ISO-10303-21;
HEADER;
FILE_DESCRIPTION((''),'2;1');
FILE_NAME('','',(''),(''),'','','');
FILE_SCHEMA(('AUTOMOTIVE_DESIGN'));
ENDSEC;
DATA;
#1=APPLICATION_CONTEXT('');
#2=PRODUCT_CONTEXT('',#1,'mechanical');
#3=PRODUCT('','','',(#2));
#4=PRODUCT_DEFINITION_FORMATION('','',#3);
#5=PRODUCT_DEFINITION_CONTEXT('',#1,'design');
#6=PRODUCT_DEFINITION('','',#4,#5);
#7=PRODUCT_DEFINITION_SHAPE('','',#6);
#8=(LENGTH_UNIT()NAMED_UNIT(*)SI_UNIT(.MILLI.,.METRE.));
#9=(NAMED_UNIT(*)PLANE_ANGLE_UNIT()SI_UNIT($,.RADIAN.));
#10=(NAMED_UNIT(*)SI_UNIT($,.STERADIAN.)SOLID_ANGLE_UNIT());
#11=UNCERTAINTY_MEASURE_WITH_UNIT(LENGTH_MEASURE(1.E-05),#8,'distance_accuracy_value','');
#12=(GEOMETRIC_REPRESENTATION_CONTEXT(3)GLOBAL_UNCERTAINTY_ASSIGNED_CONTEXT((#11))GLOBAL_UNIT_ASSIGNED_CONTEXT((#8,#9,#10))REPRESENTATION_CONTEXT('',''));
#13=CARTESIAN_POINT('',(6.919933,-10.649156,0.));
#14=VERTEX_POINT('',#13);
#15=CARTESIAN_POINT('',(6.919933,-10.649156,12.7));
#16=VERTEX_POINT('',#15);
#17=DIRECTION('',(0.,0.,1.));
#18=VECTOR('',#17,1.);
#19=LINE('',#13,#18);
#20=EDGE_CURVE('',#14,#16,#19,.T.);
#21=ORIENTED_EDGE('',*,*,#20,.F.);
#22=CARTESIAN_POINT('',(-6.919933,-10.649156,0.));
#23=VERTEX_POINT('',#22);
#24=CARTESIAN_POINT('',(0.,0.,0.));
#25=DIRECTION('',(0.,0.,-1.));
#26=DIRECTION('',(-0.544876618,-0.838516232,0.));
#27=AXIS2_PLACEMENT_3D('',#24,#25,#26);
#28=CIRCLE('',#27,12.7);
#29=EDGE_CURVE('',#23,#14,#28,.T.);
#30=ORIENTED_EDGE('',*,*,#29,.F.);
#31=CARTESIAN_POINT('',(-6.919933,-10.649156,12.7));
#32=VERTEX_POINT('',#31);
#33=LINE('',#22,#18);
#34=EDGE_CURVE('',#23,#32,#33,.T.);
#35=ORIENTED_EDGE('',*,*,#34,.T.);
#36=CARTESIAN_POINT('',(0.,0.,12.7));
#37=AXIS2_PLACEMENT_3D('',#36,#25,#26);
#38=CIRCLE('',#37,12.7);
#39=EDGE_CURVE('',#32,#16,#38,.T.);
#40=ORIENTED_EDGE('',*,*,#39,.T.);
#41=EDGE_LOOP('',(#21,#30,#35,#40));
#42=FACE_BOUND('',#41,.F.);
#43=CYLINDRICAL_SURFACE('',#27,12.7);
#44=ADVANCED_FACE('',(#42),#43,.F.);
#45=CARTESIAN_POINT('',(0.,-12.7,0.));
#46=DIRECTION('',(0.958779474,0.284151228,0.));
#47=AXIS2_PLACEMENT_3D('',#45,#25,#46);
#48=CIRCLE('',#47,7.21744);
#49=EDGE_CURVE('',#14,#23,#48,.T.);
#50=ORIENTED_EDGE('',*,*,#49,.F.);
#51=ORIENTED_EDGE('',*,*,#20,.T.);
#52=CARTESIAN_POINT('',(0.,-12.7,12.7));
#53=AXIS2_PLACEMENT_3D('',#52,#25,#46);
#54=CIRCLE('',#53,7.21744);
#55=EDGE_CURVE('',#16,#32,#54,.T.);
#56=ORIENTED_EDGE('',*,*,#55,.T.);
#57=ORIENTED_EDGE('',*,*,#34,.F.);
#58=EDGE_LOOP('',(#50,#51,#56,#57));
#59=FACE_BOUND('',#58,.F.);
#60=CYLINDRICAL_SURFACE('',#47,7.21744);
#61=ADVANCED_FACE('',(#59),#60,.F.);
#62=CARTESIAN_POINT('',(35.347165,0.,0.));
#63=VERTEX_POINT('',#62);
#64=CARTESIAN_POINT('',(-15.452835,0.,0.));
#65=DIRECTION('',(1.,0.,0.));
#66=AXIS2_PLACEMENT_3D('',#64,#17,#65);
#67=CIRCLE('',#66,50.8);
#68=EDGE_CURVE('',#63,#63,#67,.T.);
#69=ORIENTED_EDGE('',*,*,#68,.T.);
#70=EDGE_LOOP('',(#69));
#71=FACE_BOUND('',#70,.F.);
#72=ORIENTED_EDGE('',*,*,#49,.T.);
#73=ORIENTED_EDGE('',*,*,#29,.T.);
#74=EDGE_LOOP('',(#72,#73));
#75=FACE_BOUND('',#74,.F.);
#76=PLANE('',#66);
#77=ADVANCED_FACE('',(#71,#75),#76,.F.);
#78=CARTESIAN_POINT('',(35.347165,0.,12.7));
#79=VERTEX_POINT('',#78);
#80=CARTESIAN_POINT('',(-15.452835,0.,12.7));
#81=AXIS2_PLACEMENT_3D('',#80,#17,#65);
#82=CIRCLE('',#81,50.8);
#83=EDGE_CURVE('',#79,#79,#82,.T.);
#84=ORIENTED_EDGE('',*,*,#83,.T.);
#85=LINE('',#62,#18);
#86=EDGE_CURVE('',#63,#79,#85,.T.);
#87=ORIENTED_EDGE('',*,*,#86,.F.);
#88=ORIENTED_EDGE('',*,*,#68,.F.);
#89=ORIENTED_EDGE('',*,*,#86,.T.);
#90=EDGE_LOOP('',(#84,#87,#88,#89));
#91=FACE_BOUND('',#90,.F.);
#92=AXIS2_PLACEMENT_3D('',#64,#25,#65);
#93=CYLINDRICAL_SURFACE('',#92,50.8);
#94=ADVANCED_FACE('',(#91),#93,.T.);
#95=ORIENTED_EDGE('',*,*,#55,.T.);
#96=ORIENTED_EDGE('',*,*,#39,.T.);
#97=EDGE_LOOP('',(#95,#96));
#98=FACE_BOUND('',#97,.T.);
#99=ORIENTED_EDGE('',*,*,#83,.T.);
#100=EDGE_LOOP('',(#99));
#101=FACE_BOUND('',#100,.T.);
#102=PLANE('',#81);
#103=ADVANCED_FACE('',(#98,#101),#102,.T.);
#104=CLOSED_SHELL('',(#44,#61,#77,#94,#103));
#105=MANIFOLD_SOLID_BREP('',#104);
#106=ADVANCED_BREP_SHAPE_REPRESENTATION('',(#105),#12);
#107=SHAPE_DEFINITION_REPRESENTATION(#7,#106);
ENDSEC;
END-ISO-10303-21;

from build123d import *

# Parameters (mm, degrees)
F0_R     = 50.8
F1_DEPTH = 12.7


with BuildPart() as f1:
    # F0 (on Top) → F1 (new body)
    with BuildSketch(Plane.XY):
        with Locations((-15.452835, 0)):
            Circle(F0_R)
        with BuildLine():
            ThreePointArc((-6.919933, -10.649156), (0, 12.7), (6.919933, -10.649156))
            ThreePointArc((6.919933, -10.649156), (0, -19.91744), (-6.919933, -10.649156))
        make_face(mode=Mode.SUBTRACT)
    extrude(amount=F1_DEPTH)


solid = f1.part
